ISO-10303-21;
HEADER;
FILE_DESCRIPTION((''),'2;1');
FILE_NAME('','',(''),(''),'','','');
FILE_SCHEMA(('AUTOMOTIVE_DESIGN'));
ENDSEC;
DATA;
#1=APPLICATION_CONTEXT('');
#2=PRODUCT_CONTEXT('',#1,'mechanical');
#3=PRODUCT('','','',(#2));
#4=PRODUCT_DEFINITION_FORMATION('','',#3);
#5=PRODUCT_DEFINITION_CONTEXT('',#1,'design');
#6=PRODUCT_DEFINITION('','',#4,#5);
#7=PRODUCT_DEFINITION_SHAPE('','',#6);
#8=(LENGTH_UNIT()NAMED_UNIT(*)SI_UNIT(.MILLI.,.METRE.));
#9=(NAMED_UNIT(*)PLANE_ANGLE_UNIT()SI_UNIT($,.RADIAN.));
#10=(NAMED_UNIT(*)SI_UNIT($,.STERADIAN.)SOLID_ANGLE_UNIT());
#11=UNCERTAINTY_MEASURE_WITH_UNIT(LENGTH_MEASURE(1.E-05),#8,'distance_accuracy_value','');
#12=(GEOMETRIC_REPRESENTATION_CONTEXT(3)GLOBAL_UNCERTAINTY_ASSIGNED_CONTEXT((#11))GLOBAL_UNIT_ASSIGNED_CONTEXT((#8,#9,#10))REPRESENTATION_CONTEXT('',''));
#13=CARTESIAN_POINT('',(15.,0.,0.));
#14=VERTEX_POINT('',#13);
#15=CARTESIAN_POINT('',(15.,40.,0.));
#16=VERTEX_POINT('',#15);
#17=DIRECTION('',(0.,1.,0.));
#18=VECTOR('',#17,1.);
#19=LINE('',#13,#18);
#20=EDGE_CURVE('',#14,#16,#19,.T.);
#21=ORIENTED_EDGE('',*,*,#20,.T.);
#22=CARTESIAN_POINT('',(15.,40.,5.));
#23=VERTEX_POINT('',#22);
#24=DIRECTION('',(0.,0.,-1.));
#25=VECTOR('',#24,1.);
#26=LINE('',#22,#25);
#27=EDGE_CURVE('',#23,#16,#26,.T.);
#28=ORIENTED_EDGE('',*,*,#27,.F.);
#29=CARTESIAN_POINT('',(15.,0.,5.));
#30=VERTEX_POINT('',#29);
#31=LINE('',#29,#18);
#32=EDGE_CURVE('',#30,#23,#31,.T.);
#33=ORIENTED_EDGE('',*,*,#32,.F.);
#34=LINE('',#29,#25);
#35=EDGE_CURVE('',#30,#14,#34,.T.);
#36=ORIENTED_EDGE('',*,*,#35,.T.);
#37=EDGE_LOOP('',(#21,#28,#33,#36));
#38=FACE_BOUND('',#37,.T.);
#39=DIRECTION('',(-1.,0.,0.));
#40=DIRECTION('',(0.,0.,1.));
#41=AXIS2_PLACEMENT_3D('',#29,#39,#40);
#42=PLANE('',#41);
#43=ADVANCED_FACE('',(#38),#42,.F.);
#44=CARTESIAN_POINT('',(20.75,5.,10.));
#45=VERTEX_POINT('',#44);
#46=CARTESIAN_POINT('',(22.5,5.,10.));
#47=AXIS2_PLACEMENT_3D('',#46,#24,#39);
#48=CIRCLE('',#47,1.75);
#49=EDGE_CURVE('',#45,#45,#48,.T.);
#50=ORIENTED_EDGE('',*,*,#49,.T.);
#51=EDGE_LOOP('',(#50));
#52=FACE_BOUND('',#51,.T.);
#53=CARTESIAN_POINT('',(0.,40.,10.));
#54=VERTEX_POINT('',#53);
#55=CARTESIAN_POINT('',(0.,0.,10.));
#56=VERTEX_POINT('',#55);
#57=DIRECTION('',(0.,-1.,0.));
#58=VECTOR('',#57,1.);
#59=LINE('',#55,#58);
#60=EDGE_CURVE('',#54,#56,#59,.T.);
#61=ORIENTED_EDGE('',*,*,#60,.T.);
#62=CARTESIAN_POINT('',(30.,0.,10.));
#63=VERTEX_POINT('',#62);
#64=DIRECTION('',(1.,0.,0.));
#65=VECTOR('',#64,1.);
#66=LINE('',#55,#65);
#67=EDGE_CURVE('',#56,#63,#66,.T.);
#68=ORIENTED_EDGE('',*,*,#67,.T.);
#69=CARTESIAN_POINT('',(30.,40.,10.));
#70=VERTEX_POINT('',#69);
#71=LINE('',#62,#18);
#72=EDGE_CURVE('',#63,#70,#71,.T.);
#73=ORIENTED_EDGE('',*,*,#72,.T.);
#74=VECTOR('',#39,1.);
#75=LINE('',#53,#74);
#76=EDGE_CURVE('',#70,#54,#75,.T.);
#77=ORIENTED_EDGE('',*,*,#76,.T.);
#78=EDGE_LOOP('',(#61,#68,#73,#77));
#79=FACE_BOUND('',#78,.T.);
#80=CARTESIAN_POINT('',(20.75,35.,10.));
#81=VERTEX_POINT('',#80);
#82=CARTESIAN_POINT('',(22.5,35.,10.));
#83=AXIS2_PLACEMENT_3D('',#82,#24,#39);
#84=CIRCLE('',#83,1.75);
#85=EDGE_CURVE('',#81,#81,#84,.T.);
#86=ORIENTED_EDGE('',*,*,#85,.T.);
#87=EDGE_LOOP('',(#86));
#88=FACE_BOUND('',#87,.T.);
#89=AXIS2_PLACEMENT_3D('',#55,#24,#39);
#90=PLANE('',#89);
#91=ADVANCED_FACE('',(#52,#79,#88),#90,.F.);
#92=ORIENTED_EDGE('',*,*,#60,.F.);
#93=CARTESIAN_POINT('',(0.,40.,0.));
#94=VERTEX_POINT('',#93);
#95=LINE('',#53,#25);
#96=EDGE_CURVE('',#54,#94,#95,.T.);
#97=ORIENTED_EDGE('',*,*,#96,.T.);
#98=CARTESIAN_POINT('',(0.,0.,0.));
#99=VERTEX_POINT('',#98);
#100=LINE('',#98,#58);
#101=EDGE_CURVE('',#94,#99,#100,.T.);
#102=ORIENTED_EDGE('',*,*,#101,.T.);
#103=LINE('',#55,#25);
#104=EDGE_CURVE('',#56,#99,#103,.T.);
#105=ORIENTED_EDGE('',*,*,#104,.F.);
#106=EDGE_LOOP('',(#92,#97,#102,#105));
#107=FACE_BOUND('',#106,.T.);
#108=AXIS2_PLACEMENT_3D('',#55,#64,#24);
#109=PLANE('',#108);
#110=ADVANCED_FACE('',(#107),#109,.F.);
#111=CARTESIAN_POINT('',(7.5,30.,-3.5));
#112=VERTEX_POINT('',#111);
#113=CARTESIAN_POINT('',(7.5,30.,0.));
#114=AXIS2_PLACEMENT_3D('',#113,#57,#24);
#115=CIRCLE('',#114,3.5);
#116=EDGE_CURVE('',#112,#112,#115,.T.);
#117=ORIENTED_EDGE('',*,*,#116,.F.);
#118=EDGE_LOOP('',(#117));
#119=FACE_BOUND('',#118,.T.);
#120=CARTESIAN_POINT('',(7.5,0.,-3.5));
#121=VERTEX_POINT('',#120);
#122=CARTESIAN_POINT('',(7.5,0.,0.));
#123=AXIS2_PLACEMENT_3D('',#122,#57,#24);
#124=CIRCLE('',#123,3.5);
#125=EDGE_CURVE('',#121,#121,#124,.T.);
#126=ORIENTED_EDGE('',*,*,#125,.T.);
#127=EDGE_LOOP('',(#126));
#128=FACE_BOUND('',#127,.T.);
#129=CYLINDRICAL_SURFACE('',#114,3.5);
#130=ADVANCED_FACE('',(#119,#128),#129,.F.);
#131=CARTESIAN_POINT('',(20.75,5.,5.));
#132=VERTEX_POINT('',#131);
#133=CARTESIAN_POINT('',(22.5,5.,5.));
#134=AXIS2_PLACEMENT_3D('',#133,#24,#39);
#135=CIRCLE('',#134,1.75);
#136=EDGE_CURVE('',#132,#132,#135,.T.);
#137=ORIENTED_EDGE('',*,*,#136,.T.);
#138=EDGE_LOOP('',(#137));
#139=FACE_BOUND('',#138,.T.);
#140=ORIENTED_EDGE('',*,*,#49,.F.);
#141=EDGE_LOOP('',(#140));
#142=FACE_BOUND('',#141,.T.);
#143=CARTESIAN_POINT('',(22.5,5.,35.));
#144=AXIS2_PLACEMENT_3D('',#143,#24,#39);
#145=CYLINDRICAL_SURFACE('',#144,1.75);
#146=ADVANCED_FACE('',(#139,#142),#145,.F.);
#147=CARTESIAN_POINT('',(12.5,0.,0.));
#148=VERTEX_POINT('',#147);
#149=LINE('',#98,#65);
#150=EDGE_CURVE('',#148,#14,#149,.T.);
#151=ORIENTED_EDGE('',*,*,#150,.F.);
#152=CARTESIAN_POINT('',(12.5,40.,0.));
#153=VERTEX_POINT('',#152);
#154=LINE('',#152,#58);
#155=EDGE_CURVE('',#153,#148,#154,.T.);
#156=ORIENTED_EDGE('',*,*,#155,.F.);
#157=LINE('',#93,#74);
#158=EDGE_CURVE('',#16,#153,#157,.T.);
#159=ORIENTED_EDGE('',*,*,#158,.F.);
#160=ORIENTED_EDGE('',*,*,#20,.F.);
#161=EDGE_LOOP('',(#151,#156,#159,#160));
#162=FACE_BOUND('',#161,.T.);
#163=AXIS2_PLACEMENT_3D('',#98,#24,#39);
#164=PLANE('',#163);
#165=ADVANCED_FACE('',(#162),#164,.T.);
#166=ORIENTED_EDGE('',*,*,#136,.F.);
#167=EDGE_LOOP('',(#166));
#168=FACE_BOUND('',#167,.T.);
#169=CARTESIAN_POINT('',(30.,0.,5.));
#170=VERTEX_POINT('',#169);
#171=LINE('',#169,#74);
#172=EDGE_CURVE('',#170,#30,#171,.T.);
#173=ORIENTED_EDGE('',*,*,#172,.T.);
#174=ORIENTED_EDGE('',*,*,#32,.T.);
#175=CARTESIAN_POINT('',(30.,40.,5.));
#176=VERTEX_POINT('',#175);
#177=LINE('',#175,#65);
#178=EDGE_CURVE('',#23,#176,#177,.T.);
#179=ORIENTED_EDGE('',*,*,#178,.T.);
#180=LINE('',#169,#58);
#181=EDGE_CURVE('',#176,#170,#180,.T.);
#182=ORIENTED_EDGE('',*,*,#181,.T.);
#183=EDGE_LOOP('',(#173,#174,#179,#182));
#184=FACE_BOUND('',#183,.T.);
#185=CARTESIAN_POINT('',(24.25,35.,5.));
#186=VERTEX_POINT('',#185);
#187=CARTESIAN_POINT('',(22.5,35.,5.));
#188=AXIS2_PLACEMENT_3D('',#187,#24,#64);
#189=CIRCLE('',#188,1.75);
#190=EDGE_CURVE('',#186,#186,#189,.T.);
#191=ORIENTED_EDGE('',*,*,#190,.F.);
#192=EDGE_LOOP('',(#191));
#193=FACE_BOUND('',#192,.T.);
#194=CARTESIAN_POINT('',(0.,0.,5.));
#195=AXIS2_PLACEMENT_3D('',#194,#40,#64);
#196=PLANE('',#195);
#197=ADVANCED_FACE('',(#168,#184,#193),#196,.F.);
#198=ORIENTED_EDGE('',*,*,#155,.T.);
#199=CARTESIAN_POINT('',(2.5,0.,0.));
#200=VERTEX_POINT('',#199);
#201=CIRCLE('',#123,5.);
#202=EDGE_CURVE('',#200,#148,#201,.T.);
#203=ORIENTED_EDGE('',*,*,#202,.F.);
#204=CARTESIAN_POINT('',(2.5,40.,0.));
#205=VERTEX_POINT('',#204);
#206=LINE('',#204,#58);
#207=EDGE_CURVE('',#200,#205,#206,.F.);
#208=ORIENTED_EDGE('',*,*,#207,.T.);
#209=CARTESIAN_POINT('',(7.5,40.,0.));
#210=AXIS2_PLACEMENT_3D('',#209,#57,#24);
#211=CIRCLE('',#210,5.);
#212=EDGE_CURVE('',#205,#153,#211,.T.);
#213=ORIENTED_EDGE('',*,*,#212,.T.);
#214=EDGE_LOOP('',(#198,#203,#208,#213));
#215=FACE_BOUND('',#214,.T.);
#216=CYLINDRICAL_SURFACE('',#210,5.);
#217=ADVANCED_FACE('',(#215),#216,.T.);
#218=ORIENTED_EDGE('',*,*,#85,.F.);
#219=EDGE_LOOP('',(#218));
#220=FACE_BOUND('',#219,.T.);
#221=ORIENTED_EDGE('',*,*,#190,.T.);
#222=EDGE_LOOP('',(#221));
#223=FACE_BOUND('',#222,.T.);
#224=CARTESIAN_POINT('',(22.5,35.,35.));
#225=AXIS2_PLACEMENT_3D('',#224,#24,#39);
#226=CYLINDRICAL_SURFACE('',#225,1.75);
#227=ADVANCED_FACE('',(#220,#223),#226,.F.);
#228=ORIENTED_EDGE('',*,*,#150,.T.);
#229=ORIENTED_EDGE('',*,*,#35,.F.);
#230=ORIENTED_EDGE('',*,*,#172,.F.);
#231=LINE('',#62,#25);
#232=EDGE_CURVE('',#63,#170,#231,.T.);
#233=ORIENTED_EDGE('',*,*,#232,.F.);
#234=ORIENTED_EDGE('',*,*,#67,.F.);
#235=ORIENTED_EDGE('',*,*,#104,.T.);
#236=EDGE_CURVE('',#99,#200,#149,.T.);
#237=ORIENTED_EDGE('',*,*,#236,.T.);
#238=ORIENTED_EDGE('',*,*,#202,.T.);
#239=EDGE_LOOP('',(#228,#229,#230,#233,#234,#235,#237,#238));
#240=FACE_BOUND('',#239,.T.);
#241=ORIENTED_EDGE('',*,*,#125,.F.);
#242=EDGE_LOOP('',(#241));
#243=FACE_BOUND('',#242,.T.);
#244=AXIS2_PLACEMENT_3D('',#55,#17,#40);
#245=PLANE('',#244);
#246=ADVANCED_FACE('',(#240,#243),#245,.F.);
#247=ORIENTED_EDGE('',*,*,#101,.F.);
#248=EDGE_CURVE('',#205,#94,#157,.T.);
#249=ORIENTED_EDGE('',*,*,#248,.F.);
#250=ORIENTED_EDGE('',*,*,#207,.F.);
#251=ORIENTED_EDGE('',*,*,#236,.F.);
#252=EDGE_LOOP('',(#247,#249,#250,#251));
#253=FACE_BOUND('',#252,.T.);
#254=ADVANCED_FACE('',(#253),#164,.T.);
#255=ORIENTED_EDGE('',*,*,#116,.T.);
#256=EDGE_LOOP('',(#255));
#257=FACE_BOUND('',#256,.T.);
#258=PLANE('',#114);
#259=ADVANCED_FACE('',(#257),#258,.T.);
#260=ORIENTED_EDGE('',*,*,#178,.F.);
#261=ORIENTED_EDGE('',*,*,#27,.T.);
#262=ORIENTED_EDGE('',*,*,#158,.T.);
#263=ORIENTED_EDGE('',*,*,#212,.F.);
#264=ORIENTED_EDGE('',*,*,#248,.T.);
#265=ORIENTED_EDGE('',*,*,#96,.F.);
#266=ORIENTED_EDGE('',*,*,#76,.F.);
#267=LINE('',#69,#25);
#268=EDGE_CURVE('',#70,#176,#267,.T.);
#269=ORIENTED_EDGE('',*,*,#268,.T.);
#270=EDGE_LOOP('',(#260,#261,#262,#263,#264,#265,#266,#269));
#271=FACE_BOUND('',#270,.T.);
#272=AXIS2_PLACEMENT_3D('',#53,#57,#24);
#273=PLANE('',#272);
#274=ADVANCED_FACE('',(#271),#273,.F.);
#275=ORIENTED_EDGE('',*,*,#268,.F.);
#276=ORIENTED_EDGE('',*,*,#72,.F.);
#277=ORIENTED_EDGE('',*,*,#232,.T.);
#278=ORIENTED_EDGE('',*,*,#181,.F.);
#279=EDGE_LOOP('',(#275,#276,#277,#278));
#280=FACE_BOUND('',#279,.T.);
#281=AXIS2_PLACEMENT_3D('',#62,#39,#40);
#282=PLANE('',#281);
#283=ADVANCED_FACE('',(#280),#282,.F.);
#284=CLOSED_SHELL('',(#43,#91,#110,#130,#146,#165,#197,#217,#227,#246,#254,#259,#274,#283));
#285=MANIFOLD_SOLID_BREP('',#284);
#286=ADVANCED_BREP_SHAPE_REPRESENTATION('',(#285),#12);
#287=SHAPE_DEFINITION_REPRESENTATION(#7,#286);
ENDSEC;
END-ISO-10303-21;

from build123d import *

# Parameters (mm, degrees)
SKETCH1_W           = 30
SKETCH1_H           = 40
BOSS_EXTRUDE1_DEPTH = 10
SKETCH2_W           = 15
SKETCH2_H           = 40
CUT_EXTRUDE1_DEPTH  = 5
SKETCH4_R           = 1.75
CUT_EXTRUDE3_DEPTH  = 30
SKETCH7_R           = 5
BOSS_EXTRUDE2_DEPTH = 40
SKETCH8_R           = 3.5
CUT_EXTRUDE4_DEPTH  = 30


with BuildPart() as part:
    # Sketch1 → Boss-Extrude1 (new body)
    with BuildSketch(Plane.XY):
        with Locations((15, 20)):
            Rectangle(SKETCH1_W, SKETCH1_H)
    extrude(amount=BOSS_EXTRUDE1_DEPTH)

    # Sketch2 → Cut-Extrude1 (cut)
    with BuildSketch(Plane(origin=(0, 0, 0), x_dir=(-1, 0, 0), z_dir=(0, 0, -1))):
        with Locations((-22.5, 20)):
            Rectangle(SKETCH2_W, SKETCH2_H)
    extrude(amount=-CUT_EXTRUDE1_DEPTH, mode=Mode.SUBTRACT)

    # Sketch4 → Cut-Extrude3 (cut)
    with BuildSketch(Plane(origin=(0, 0, 5), x_dir=(-1, 0, 0), z_dir=(0, 0, -1))):
        with Locations((-22.5, 5)):
            Circle(SKETCH4_R)
        with Locations((-22.5, 35)):
            Circle(SKETCH4_R)
    extrude(amount=-CUT_EXTRUDE3_DEPTH, mode=Mode.SUBTRACT)

    # Sketch7 → Boss-Extrude2 (add)
    with BuildSketch(Plane.XZ):
        with Locations((7.5, 0)):
            Circle(SKETCH7_R)
    extrude(amount=-BOSS_EXTRUDE2_DEPTH)

    # Sketch8 → Cut-Extrude4 (cut)
    with BuildSketch(Plane.XZ):
        with Locations((7.5, 0)):
            Circle(SKETCH8_R)
    extrude(amount=-CUT_EXTRUDE4_DEPTH, mode=Mode.SUBTRACT)


solid = part.part
